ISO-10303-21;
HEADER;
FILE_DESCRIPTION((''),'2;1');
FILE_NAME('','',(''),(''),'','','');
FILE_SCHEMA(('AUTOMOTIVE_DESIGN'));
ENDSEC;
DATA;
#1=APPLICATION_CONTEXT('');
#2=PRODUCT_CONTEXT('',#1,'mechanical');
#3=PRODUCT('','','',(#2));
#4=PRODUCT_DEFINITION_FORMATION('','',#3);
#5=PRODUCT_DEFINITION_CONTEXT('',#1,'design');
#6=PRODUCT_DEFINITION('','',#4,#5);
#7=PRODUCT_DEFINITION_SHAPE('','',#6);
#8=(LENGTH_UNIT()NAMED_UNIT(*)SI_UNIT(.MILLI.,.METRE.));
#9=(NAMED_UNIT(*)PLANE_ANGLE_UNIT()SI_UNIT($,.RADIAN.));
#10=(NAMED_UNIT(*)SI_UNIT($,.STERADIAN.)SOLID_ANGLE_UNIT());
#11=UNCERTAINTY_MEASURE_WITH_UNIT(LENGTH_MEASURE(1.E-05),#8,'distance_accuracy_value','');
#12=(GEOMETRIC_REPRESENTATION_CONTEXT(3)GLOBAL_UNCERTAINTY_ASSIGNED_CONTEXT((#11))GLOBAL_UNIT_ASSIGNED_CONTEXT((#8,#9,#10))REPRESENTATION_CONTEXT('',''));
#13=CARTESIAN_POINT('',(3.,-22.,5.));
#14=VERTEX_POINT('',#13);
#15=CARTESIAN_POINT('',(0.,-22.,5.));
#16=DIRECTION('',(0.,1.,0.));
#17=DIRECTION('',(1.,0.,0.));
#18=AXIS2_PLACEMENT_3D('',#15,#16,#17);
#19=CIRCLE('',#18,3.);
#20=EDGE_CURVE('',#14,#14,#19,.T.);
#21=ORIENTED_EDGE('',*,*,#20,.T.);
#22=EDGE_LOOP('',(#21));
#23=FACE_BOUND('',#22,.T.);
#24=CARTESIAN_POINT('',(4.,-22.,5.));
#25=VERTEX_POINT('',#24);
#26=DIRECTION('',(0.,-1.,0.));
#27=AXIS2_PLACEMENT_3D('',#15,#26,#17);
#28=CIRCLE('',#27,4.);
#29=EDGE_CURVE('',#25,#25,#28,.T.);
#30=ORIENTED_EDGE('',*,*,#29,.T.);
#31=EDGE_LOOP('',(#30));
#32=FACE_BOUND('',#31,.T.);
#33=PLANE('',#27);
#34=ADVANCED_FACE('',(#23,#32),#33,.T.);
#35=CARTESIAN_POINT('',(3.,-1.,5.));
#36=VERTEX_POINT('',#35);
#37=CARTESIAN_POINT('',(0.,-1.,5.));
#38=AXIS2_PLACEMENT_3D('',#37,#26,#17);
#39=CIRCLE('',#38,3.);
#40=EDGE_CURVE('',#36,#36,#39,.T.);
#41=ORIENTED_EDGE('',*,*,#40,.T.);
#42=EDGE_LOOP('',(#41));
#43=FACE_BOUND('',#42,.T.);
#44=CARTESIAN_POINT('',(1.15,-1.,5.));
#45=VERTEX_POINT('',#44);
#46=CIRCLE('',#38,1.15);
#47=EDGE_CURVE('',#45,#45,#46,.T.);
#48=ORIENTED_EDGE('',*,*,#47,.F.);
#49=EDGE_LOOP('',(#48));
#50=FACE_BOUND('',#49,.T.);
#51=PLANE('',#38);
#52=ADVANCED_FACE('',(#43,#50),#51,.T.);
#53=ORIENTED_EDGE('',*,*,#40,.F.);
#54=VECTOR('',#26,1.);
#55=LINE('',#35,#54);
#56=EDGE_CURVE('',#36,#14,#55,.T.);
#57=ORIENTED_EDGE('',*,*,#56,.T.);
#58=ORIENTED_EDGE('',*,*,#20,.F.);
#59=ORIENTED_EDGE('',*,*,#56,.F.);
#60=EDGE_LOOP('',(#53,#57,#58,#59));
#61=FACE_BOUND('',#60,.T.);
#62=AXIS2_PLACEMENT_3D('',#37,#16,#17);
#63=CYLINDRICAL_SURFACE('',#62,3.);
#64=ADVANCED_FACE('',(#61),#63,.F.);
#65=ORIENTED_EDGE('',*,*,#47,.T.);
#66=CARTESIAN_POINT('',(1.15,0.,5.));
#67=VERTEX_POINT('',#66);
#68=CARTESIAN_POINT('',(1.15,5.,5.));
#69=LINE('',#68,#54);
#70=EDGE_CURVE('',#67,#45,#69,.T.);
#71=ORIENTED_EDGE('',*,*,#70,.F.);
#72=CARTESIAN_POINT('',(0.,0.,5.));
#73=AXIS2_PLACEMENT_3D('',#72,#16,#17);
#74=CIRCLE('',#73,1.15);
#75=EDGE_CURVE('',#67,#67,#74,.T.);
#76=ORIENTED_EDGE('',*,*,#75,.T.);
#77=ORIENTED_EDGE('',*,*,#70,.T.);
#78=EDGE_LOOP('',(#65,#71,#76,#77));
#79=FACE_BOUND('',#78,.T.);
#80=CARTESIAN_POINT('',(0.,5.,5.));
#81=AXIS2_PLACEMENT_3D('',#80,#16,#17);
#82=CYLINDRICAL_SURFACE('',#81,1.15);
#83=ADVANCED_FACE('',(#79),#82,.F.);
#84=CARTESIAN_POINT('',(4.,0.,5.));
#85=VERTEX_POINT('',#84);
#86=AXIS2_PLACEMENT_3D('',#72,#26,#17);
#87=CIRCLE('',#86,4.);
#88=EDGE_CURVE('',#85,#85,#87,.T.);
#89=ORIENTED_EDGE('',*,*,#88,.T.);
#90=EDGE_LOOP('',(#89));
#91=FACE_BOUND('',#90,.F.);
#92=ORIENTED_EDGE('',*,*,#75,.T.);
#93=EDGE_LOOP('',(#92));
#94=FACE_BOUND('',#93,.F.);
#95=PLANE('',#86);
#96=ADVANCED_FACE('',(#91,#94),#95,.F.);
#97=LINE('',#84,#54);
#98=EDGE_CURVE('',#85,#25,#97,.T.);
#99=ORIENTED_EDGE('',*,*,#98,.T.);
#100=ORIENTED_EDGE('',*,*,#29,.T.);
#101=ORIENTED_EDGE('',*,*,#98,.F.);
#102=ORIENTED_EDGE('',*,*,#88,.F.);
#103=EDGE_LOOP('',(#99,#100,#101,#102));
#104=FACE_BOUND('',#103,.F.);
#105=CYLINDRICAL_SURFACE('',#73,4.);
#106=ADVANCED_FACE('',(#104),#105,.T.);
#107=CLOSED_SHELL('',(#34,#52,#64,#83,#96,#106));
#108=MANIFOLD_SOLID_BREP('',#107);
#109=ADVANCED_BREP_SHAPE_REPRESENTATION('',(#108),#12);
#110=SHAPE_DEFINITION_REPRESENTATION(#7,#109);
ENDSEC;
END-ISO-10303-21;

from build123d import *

# Parameters (mm, degrees)
CYLINDER014_R          = 3
CYLINDER014_DEPTH      = 22
CYLINDER014_ROLL_ANGLE = 90
CYLINDER012_R          = 1.15
CYLINDER012_DEPTH      = 6
CYLINDER012_ROLL_ANGLE = 90
CYLINDER011_R          = 4
CYLINDER011_DEPTH      = 22
CYLINDER011_ROLL_ANGLE = 90


with BuildPart() as cylinder014:
    # Cylinder014 → Cylinder014 (new body)
    with BuildSketch(Plane.XY):
        Circle(CYLINDER014_R)
    extrude(amount=CYLINDER014_DEPTH)


with BuildPart() as cylinder014_1:
    # Cylinder014 roll: moved
    add(cylinder014.part.rotate(Axis((0, 0, 0), (1, 0, 0)), CYLINDER014_ROLL_ANGLE))


with BuildPart() as cylinder014_2:
    # Cylinder014 placement: moved
    add(cylinder014_1.part.moved(Location((0, -1, 5))))


with BuildPart() as fusion004:
    # Cylinder012 → Cylinder012 (new body)
    with BuildSketch(Plane.XY):
        Circle(CYLINDER012_R)
    extrude(amount=CYLINDER012_DEPTH)


with BuildPart() as fusion004_1:
    # Cylinder012 roll: moved
    add(fusion004.part.rotate(Axis((0, 0, 0), (1, 0, 0)), CYLINDER012_ROLL_ANGLE))


with BuildPart() as fusion004_2:
    # Cylinder012 placement: moved
    add(fusion004_1.part.moved(Location((0, 5, 5))))

    # Fusion004: union Cylinder014
    add(cylinder014_2.part)


with BuildPart() as cut001:
    # Cylinder011 → Cylinder011 (new body)
    with BuildSketch(Plane.XY):
        Circle(CYLINDER011_R)
    extrude(amount=CYLINDER011_DEPTH)


with BuildPart() as cut001_1:
    # Cylinder011 roll: moved
    add(cut001.part.rotate(Axis((0, 0, 0), (1, 0, 0)), CYLINDER011_ROLL_ANGLE))


with BuildPart() as cut001_2:
    # Cylinder011 placement: moved
    add(cut001_1.part.moved(Location((0, 0, 5))))

    # Cut001: cut Fusion004
    add(fusion004_2.part, mode=Mode.SUBTRACT)


solid = cut001_2.part
